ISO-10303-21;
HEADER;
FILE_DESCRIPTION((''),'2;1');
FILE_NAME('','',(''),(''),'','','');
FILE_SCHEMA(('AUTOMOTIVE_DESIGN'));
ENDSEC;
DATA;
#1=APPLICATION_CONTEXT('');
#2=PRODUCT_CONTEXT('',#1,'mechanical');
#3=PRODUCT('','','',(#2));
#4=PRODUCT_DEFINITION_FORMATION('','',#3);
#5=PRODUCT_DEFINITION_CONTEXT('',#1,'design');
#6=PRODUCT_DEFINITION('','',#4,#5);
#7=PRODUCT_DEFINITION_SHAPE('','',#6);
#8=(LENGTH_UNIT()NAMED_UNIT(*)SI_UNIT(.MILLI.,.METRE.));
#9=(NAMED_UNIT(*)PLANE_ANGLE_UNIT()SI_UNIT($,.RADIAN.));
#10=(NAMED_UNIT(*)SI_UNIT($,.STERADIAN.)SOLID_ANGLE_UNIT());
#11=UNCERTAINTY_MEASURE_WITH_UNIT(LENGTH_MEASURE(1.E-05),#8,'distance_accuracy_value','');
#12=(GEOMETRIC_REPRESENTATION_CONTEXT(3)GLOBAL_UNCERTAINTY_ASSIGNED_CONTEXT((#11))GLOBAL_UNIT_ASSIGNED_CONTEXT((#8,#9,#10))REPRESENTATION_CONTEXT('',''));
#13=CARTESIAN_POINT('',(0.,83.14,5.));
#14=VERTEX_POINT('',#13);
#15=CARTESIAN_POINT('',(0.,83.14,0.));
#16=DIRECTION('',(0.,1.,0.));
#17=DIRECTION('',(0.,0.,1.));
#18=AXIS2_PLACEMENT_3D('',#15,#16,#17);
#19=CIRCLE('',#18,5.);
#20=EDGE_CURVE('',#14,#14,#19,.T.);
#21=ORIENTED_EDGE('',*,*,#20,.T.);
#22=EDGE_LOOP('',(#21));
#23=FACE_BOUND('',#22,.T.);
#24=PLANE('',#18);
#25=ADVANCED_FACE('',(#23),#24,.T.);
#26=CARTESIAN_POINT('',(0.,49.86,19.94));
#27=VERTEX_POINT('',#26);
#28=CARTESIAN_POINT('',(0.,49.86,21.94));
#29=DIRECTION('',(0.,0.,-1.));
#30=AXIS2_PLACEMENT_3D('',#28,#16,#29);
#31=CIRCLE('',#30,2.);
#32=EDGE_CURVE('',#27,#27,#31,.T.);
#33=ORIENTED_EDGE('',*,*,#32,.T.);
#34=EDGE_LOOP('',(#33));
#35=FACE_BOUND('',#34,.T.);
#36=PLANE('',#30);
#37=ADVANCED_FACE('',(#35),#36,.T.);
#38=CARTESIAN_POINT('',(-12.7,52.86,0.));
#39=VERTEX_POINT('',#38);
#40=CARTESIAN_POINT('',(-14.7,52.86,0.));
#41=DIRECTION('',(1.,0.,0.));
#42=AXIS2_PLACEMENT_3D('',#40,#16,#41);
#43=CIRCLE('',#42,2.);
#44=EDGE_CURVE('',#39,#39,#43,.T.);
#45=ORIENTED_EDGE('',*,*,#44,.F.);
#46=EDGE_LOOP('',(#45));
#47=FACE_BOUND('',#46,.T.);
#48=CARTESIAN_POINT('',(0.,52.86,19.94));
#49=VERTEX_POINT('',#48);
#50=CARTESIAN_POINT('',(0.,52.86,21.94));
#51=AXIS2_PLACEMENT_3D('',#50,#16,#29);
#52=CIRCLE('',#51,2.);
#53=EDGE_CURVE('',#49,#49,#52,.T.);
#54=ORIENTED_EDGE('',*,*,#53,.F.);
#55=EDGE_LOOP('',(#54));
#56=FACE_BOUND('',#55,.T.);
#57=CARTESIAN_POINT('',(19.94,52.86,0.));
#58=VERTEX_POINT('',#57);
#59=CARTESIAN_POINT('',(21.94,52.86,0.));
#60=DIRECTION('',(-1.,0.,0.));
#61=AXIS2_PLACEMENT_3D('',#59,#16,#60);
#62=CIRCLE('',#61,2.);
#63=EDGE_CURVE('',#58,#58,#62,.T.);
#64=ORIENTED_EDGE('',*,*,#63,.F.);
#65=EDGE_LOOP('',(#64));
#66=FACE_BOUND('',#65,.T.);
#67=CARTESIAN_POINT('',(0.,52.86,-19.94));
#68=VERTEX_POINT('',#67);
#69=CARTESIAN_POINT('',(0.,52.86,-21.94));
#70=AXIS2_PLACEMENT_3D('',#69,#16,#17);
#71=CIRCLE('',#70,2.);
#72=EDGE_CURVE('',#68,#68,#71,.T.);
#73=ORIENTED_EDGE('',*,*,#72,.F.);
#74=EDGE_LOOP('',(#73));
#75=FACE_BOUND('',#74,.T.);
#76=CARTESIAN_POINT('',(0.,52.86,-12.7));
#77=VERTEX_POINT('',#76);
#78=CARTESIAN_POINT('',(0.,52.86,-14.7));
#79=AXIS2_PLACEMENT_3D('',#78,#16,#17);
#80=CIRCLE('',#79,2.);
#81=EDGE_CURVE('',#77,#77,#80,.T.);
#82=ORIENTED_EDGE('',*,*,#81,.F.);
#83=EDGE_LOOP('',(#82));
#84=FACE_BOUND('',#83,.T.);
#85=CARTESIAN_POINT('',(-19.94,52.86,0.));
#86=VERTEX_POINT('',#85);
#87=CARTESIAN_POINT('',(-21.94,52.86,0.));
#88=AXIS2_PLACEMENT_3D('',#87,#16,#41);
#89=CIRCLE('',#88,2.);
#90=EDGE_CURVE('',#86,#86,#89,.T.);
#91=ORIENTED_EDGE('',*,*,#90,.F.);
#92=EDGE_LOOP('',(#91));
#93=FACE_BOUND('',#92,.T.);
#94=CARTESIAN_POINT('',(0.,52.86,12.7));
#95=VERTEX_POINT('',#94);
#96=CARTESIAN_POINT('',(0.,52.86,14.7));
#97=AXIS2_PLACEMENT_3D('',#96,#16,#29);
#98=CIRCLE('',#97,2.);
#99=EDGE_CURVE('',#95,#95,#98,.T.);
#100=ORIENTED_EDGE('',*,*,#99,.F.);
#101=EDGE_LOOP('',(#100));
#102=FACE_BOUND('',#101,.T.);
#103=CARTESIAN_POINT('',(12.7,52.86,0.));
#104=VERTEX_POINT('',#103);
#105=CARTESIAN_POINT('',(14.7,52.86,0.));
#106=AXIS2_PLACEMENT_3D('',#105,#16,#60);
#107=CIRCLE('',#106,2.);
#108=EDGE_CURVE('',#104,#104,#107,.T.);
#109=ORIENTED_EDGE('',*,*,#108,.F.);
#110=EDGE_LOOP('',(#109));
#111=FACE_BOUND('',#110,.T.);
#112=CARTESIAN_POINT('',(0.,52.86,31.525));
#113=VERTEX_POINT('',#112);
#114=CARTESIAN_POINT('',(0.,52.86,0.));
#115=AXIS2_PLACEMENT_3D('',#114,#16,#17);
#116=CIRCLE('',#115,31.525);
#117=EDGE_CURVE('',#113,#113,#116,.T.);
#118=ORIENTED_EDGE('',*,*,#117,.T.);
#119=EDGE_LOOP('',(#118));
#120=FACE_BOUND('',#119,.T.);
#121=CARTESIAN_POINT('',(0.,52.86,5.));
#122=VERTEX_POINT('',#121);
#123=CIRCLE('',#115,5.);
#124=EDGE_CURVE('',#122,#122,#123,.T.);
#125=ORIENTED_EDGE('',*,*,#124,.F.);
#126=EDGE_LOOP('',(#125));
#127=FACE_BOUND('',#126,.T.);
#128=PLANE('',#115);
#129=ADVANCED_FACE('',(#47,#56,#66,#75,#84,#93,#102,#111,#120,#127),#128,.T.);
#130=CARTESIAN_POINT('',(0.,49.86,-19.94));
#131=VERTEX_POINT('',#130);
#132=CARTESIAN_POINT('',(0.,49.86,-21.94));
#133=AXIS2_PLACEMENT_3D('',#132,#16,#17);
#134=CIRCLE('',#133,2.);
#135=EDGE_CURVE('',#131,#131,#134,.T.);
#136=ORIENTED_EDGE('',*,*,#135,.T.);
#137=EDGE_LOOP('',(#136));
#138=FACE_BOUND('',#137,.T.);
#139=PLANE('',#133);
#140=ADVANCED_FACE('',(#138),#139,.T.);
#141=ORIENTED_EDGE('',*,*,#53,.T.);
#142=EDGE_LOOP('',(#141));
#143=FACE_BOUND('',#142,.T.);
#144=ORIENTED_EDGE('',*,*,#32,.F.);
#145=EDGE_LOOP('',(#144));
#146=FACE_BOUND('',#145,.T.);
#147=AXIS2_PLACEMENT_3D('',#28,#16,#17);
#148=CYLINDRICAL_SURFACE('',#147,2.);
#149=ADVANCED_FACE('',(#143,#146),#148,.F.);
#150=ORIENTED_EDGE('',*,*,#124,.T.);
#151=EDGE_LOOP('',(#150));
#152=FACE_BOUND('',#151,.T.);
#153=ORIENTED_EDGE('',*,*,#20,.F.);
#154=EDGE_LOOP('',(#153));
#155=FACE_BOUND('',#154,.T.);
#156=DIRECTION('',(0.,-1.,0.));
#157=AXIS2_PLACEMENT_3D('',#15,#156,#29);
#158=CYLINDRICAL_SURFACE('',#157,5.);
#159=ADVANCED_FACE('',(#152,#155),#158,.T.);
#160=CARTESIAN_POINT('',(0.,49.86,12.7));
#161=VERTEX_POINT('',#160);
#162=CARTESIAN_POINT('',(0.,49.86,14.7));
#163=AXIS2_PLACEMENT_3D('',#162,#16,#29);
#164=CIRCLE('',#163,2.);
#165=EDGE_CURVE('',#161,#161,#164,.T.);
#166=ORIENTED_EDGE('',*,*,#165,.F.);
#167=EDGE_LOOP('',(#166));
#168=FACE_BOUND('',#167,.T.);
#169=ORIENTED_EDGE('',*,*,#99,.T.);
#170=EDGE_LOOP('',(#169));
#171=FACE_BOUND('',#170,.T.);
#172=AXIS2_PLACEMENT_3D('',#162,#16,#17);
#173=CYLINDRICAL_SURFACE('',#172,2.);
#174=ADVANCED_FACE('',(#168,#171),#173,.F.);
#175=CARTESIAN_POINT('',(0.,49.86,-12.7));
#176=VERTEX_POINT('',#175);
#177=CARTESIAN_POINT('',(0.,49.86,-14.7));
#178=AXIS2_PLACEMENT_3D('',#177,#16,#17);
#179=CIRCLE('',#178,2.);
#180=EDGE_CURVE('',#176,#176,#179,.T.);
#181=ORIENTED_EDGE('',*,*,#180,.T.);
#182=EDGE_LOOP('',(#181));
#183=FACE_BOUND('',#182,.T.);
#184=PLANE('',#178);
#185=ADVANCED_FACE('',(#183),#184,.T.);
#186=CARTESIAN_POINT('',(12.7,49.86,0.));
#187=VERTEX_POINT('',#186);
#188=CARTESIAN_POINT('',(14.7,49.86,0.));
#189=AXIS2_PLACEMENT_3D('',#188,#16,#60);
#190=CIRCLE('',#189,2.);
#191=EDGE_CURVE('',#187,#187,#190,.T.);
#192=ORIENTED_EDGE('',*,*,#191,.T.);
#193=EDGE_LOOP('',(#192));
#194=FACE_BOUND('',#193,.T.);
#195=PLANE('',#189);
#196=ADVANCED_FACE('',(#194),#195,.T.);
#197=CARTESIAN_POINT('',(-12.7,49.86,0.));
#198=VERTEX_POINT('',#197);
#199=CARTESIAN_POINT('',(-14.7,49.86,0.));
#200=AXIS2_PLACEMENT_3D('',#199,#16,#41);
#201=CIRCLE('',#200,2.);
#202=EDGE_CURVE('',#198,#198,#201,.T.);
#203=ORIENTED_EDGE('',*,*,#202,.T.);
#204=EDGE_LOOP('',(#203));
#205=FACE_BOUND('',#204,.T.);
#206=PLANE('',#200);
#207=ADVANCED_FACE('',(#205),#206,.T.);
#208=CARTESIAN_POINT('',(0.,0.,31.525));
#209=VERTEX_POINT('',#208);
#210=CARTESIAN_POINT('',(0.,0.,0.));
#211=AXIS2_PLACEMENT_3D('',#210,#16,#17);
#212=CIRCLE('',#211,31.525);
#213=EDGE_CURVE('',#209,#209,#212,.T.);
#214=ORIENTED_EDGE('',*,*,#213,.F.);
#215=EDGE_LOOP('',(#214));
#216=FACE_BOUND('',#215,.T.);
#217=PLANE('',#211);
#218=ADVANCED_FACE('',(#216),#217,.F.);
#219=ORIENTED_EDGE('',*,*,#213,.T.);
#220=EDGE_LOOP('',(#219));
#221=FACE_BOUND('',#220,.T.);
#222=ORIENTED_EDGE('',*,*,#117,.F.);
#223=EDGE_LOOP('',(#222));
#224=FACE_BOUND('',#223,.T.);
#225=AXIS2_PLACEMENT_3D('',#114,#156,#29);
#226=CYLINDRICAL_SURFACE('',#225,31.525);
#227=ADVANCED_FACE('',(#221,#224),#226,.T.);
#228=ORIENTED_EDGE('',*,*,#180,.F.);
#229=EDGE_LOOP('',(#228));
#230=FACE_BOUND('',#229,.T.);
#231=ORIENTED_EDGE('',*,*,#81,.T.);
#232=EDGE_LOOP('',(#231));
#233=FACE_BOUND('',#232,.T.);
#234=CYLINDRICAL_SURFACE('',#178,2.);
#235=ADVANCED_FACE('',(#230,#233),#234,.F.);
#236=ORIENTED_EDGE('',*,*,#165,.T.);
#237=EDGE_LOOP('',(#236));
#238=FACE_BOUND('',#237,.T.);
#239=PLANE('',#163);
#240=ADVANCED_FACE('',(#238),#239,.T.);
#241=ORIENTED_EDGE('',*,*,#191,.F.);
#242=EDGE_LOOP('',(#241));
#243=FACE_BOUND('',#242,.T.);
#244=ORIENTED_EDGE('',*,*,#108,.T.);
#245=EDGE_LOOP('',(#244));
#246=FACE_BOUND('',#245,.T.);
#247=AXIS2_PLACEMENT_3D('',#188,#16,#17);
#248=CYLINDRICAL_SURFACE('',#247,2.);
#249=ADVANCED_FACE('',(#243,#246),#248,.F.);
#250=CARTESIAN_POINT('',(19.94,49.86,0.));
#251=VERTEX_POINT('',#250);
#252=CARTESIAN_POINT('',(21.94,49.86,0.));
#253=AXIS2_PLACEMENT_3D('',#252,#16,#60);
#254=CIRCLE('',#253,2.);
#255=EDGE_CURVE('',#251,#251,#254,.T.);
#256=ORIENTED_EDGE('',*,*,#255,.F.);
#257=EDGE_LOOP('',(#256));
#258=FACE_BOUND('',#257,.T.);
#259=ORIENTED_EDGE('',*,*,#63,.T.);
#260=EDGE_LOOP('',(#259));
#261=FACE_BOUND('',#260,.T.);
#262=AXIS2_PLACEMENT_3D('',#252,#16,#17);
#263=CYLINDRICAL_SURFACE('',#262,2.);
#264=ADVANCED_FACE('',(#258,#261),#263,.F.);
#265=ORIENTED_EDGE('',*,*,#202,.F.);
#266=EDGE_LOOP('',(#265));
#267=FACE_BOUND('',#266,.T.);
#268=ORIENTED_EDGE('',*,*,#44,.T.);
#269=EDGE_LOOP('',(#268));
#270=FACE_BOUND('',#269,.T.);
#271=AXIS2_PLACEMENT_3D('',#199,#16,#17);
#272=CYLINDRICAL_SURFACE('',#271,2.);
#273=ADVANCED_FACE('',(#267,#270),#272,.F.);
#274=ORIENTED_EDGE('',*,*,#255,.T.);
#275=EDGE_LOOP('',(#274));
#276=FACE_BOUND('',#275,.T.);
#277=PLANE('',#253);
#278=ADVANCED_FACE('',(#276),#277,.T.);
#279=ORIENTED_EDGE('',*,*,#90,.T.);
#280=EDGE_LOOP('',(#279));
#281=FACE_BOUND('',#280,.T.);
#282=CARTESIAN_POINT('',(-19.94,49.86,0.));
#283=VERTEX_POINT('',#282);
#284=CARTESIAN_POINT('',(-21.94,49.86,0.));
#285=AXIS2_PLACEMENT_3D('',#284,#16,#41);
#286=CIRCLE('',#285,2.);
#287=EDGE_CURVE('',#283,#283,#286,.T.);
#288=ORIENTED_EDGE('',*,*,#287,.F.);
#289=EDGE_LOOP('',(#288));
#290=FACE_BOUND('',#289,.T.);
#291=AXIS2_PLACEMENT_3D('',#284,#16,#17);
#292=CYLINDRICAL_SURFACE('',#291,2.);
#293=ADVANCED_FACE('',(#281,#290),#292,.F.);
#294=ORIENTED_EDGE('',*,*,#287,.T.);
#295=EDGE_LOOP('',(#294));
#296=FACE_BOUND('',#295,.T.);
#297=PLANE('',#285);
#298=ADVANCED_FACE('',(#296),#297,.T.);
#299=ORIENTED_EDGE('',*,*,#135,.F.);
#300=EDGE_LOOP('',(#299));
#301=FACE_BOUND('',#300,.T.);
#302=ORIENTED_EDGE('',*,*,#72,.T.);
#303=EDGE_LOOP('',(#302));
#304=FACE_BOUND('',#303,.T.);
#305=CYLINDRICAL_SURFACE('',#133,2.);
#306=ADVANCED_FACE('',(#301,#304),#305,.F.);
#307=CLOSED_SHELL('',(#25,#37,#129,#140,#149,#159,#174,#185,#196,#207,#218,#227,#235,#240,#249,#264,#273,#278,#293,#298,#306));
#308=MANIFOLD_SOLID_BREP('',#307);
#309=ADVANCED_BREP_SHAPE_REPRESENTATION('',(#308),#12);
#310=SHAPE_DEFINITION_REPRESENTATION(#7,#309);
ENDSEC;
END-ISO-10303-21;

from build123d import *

# Parameters (mm, degrees)
SKETCH1_R           = 31.525
BOSS_EXTRUDE1_DEPTH = 52.86
SKETCH2_R           = 5
BOSS_EXTRUDE2_DEPTH = 30.28
SKETCH3_R           = 2
CUT_EXTRUDE1_DEPTH  = 3
CIRPATTERN11_COUNT  = 4


with BuildPart() as part:
    # Sketch1 → Boss-Extrude1 (new body)
    with BuildSketch(Plane(origin=(0, 0, 0), x_dir=(1, 0, 0), z_dir=(0, 1, 0))):
        with Locations(Location((0, 0, 0), (0, 0, 270))):
            Circle(SKETCH1_R)
    extrude(amount=BOSS_EXTRUDE1_DEPTH)

    # Sketch2 → Boss-Extrude2 (add)
    with BuildSketch(Plane(origin=(0, 52.86, 0), x_dir=(1, 0, 0), z_dir=(0, 1, 0))):
        with Locations(Location((0, 0, 0), (0, 0, 270))):
            Circle(SKETCH2_R)
    extrude(amount=BOSS_EXTRUDE2_DEPTH)

    # Sketch3 → Cut-Extrude1 (cut)
    with BuildSketch(Plane(origin=(0, 52.86, 0), x_dir=(1, 0, 0), z_dir=(0, 1, 0))):
        with Locations(Location((0, 14.7, 0), (0, 0, 270))):
            Circle(SKETCH3_R)
        with Locations(Location((0, 21.94, 0), (0, 0, 270))):
            Circle(SKETCH3_R)
    cut_extrude1 = extrude(amount=-CUT_EXTRUDE1_DEPTH, mode=Mode.SUBTRACT)

    # CirPattern11: Cut-Extrude1 ×4 about axis
    cirpattern11_axis = Axis((0, 0, 0), (0, 1, 0))
    for i in range(1, CIRPATTERN11_COUNT):
        add(cut_extrude1.rotate(cirpattern11_axis, i * 360 / CIRPATTERN11_COUNT), mode=Mode.SUBTRACT)


solid = part.part
